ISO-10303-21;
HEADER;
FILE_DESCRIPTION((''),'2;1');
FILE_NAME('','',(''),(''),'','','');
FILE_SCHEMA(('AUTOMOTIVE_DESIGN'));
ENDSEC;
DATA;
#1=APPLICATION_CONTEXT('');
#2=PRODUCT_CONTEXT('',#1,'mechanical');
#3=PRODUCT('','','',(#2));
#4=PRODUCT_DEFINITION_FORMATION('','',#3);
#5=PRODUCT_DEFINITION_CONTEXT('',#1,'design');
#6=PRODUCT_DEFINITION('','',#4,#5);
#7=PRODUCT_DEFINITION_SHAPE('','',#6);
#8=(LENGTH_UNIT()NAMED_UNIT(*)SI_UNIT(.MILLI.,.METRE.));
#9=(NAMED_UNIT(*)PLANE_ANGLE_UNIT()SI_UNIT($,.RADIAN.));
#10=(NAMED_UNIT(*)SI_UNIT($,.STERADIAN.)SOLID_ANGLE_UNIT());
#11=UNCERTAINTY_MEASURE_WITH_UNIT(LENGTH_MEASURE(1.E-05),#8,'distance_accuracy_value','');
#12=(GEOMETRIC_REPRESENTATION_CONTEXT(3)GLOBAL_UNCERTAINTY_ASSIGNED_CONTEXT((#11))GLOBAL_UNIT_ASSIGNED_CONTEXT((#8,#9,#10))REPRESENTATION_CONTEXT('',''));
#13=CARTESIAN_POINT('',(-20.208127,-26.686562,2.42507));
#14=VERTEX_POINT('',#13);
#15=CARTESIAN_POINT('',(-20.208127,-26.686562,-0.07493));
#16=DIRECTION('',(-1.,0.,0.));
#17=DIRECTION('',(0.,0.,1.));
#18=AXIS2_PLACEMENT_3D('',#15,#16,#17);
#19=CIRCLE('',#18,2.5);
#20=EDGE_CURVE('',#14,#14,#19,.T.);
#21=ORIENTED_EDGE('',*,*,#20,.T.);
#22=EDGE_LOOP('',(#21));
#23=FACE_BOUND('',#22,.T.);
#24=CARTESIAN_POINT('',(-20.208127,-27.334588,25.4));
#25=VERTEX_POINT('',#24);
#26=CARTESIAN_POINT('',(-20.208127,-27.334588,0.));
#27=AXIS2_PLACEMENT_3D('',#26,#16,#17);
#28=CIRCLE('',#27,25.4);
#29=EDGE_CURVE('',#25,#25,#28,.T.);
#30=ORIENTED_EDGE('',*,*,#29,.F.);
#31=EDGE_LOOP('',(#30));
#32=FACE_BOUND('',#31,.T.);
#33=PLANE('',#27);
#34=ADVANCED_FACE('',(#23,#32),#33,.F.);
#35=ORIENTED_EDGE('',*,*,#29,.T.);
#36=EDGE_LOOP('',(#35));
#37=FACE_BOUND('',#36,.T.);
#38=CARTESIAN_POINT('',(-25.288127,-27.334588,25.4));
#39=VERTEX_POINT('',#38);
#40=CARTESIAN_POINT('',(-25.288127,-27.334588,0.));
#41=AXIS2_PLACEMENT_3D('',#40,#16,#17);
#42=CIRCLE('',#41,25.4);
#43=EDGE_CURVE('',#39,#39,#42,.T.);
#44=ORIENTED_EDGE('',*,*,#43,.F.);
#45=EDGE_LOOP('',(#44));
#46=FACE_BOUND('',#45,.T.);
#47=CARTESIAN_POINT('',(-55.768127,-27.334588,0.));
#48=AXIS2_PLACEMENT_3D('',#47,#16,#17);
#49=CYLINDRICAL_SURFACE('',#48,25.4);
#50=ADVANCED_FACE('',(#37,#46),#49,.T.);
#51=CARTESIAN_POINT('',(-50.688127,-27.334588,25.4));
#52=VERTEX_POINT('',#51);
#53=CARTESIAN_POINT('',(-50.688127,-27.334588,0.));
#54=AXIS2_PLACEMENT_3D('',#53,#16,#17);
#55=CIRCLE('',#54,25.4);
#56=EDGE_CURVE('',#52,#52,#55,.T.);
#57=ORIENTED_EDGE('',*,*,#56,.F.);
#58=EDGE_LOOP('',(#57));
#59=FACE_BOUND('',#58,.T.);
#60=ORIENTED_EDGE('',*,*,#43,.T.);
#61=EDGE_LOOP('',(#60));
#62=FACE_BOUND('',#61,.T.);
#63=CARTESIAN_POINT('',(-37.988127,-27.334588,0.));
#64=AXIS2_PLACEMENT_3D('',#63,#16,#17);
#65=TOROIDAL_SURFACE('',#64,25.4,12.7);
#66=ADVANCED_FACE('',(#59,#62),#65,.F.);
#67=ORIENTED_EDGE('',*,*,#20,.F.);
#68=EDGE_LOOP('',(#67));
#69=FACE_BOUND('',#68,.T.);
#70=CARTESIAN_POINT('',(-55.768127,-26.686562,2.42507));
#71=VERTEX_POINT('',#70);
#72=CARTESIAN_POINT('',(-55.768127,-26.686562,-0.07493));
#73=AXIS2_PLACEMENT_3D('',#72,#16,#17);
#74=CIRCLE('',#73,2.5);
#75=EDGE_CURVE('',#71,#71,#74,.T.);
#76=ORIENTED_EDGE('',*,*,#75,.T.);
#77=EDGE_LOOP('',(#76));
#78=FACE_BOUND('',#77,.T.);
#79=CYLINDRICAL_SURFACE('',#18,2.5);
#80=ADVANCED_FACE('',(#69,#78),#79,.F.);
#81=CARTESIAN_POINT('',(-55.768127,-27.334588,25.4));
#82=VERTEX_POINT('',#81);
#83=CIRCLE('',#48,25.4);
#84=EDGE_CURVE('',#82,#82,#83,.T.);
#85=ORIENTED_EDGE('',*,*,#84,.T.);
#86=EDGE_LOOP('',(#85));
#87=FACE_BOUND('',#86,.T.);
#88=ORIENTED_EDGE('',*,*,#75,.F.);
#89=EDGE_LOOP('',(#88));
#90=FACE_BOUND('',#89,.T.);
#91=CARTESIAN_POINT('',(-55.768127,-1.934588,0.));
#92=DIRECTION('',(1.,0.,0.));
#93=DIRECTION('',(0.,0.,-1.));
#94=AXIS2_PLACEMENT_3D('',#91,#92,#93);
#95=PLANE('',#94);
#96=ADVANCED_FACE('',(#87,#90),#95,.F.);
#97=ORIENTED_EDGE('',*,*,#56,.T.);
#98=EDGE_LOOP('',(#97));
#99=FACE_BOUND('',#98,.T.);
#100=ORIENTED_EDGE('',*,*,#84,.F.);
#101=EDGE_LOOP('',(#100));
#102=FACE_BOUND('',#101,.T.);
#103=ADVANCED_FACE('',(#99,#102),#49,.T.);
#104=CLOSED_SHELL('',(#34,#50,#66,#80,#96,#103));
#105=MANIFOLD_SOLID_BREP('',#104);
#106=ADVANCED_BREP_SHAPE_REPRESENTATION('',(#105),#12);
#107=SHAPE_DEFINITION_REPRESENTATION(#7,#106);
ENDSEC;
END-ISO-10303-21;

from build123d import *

# Parameters (mm, degrees)
F_97_0_0059_DIAMETER_HOLE2_D = 0.14986
SKETCH5_R                    = 2.5
CUT_EXTRUDE2_DEPTH           = 35.56


with BuildPart() as part:
    # Sketch1 → Revolve1 (revolve)
    with BuildSketch(Plane.XY, mode=Mode.PRIVATE) as revolve1_sk:
        with BuildLine():
            Line((-55.768127135, -1.934587814), (-50.688127135, -1.934587814))
            ThreePointArc((-50.688127135, -1.934587814), (-37.988127135, -14.634587814), (-25.288127135, -1.934587814))
            Line((-25.288127135, -1.934587814), (-20.208127135, -1.934587814))
            Line((-20.208127135, -1.934587814), (-20.208127135, -27.334587814))
            Line((-20.208127135, -27.334587814), (-55.768127135, -27.334587814))
            Line((-55.768127135, -27.334587814), (-55.768127135, -1.934587814))
        make_face()
    revolve(revolve1_sk.sketch.rotate(Axis((-55.768127135, -27.334587814, 0), (1, 0, 0)), 90), axis=Axis((-55.768127135, -27.334587814, 0), (1, 0, 0)))

    # #97 (0.0059) Diameter Hole2 (through all)
    with Locations(Plane.ZY.offset(55.768127135)):
        with Locations((0, -26.686562296)):
            Hole(F_97_0_0059_DIAMETER_HOLE2_D / 2)

    # Sketch5 → Cut-Extrude2 (cut)
    with BuildSketch(Plane.ZY.offset(55.768127135)):
        with Locations((-0.07493, -26.686562296)):
            Circle(SKETCH5_R)
    extrude(amount=-CUT_EXTRUDE2_DEPTH, mode=Mode.SUBTRACT)


solid = part.part
